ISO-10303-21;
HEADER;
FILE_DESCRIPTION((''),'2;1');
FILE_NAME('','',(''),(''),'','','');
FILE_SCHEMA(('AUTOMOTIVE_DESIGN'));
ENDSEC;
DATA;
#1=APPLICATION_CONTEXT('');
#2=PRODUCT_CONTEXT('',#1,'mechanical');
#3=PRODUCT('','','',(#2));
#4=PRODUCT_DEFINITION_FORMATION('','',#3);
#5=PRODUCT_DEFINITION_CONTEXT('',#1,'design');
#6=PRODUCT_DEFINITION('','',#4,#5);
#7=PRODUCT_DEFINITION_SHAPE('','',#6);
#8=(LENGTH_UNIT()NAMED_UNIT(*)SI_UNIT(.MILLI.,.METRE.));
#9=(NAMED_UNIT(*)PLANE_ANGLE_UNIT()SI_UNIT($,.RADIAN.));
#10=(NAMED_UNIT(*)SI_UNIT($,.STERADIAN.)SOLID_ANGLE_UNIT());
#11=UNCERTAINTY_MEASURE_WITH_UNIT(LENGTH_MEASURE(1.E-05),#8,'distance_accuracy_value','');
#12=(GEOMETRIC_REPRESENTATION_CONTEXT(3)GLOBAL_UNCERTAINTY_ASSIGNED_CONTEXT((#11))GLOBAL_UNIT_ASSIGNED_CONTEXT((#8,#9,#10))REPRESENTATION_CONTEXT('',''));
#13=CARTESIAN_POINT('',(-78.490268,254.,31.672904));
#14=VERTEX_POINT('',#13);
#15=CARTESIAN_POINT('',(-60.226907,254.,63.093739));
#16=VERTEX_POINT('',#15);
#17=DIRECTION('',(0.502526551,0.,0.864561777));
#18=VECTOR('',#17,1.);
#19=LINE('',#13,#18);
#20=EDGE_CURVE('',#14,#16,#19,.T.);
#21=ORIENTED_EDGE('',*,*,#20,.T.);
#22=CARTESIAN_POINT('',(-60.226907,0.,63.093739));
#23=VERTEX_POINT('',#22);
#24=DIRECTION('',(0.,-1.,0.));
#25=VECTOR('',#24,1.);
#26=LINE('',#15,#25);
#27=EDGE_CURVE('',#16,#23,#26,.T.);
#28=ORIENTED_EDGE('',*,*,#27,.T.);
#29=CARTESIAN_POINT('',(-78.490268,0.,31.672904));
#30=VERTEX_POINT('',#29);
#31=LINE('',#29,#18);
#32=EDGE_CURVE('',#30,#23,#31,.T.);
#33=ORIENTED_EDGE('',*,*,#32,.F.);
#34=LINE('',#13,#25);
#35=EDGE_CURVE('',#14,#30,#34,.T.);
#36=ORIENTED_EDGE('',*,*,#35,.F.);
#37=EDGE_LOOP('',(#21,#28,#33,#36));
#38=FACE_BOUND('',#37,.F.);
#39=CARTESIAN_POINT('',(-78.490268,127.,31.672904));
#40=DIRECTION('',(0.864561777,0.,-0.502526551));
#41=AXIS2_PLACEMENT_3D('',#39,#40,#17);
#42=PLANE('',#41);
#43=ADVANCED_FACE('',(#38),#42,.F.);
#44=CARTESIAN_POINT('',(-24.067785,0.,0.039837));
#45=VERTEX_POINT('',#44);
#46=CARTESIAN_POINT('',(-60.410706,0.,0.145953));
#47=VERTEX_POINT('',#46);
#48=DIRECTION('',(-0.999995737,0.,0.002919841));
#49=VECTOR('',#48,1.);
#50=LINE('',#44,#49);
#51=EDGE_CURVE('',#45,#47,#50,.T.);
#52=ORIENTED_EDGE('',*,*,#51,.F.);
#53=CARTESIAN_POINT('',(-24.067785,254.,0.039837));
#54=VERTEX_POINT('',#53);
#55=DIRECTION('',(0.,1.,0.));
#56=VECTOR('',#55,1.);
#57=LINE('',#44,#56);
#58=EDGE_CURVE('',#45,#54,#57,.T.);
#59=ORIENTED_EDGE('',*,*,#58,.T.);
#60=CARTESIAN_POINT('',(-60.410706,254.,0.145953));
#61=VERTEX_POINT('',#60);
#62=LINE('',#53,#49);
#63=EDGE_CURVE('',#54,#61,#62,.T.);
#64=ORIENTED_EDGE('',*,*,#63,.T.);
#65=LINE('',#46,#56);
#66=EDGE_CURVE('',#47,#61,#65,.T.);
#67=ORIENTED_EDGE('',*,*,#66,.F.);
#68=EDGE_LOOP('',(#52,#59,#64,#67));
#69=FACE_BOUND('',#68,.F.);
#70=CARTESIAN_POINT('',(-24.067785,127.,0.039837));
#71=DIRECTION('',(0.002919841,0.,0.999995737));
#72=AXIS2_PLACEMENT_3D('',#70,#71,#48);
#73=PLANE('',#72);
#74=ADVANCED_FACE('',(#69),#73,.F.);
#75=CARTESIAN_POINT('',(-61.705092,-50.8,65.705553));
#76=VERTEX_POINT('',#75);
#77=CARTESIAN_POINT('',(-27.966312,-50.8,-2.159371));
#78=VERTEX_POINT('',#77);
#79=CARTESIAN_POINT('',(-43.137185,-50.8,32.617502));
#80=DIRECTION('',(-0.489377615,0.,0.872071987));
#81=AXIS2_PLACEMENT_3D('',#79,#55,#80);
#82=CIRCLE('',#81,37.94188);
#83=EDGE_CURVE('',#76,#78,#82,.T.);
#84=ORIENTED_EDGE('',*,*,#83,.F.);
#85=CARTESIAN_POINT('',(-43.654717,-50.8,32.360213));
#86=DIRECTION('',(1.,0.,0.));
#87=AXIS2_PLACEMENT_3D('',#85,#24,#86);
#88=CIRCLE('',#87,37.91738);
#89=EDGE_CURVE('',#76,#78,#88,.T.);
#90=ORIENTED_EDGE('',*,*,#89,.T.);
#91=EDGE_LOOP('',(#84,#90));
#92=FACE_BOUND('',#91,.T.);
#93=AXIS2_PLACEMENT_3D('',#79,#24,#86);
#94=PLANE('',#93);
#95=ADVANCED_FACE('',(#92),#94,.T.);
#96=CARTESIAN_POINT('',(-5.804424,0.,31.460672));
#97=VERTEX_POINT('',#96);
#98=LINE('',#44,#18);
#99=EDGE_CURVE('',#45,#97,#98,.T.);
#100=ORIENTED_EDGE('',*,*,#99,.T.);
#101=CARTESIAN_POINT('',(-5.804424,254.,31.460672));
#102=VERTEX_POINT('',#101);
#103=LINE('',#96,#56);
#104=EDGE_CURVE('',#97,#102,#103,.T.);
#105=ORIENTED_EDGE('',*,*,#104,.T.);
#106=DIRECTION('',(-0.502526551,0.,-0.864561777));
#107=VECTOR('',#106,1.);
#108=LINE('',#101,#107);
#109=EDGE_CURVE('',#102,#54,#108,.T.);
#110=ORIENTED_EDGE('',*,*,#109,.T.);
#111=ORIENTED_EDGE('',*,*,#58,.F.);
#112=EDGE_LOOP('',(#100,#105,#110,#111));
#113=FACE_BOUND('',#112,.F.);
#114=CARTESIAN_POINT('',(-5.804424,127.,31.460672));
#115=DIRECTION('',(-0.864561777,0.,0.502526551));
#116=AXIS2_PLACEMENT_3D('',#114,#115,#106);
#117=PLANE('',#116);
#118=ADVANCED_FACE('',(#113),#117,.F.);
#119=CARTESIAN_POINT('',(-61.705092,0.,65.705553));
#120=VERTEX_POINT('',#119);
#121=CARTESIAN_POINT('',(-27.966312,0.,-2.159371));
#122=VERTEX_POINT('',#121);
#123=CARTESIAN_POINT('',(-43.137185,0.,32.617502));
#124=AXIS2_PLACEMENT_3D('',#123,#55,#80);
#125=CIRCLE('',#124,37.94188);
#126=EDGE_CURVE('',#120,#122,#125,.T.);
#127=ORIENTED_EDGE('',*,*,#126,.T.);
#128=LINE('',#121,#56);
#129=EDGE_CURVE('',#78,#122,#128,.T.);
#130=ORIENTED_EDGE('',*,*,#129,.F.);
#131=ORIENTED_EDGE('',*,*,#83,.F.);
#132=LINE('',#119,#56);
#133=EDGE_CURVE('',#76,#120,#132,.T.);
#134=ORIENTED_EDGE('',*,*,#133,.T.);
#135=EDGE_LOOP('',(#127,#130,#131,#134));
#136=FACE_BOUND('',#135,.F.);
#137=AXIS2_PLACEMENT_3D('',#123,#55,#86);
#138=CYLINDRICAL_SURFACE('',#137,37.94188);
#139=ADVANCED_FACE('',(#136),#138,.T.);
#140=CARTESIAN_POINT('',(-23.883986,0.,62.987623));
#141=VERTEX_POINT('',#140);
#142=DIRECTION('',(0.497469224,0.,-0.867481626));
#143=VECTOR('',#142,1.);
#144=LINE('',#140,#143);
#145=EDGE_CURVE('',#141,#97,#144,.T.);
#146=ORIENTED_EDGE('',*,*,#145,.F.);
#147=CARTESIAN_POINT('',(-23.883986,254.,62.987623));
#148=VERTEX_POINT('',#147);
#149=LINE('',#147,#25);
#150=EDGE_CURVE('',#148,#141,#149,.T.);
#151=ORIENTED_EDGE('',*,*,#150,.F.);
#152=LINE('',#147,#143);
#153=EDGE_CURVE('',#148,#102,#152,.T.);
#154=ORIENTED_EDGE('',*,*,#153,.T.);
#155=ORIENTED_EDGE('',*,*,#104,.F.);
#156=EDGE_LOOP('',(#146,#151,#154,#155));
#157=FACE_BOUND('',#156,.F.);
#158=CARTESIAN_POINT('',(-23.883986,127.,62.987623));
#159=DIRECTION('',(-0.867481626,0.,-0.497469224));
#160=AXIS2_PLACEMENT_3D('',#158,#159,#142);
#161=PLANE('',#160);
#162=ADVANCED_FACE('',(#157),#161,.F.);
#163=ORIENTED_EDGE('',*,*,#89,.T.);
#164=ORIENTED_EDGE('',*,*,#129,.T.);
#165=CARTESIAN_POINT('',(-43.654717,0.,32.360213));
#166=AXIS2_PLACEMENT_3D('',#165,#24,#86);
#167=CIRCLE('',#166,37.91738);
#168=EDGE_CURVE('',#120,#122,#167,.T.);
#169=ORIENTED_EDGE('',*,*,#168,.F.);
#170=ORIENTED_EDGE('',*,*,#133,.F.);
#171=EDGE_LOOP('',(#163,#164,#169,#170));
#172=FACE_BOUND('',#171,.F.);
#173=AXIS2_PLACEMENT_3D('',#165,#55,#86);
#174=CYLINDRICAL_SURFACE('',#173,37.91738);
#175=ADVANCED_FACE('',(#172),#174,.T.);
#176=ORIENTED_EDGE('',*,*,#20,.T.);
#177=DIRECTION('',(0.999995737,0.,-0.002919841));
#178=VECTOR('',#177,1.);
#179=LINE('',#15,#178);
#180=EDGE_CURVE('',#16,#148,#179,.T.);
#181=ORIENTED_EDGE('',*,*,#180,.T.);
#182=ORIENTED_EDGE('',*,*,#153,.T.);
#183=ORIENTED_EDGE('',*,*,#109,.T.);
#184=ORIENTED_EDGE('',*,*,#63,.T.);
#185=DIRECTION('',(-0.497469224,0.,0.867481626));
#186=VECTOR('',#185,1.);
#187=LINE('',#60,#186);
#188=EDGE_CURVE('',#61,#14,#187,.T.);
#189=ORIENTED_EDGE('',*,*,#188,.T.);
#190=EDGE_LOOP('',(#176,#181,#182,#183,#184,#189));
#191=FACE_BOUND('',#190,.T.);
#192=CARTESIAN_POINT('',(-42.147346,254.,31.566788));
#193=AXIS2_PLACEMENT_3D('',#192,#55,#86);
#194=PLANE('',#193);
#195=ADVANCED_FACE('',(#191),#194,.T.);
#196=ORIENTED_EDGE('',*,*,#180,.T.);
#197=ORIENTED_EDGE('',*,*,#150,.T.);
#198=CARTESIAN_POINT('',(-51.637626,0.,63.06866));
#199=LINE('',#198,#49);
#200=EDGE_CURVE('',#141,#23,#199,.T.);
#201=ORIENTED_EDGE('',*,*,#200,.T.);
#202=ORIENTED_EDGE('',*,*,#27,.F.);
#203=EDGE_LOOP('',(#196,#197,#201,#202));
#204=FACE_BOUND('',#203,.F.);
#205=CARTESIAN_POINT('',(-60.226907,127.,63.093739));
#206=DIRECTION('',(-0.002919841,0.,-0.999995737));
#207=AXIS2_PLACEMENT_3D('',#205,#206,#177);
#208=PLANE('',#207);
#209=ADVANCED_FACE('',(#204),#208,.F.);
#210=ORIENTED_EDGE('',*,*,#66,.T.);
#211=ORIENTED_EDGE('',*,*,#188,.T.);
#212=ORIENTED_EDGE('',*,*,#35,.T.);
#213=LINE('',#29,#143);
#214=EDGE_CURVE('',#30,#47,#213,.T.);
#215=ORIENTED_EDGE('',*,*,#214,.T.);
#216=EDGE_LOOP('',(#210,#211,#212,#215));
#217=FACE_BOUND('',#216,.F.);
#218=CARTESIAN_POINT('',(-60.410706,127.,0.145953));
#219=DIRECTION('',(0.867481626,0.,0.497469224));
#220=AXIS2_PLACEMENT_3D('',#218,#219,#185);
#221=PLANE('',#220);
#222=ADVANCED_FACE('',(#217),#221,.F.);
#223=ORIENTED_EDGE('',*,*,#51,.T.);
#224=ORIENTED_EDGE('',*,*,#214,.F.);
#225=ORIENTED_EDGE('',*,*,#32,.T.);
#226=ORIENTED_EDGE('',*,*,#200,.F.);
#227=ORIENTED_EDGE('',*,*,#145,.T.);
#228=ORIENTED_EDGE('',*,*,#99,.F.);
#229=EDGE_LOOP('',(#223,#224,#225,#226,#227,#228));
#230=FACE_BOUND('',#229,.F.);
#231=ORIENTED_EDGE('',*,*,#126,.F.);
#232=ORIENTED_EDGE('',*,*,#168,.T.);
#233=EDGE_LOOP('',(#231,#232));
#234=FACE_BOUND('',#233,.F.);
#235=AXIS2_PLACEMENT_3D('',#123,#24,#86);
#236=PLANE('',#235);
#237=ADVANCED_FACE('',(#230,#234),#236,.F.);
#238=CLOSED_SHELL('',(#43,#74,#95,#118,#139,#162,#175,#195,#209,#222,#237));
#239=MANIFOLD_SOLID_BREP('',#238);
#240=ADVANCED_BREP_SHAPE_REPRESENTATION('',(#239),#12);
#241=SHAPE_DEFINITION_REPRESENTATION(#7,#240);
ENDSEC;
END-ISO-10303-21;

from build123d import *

# Parameters (mm, degrees)
F1_DEPTH = 25.4
F2_DEPTH = 127
F3_R     = 37.94188
F4_DEPTH = 50.8
F5_DEPTH = 127
F6_R     = 37.91738
F7_DEPTH = 50.8


with BuildPart() as f1:
    # F0 (on Front) → F1 (new body)
    with BuildSketch(Plane.XZ):
        Polygon((-24.067785, 0.039836), (-5.804424, 31.460671), (-23.883986, 62.987623), (-60.226907, 63.093739), (-78.490267, 31.672904), (-60.410706, 0.145952), align=None)
    extrude(amount=F1_DEPTH)

    # F1_face (on face) → F2 (join)
    with BuildSketch(Plane(origin=(-42.147346, 0, 31.566788), x_dir=(1, 0, 0), z_dir=(0, 1, 0))):
        Polygon((36.342922, 0.106116), (18.079561, 31.526951), (-18.26336, 31.420835), (-36.342922, -0.106116), (-18.079561, -31.526951), (18.26336, -31.420835), align=None)
        Polygon((18.079561, 31.526951), (36.342922, 0.106116), (18.26336, -31.420835), (-18.079561, -31.526951), (-36.342922, -0.106116), (-18.26336, 31.420835), align=None)
    extrude(amount=F2_DEPTH)

    # F3 (on Front) → F4 (join)
    with BuildSketch(Plane.XZ):
        with Locations((-43.137185, 32.617502)):
            Circle(F3_R)
    extrude(amount=F4_DEPTH)

    # F2_face (on face) → F5 (join)
    with BuildSketch(Plane(origin=(-42.147346, 127, 31.566788), x_dir=(1, 0, 0), z_dir=(0, 1, 0))):
        Polygon((18.26336, -31.420835), (36.342922, 0.106116), (18.079561, 31.526951), (-18.26336, 31.420835), (-36.342922, -0.106116), (-18.079561, -31.526951), align=None)
    extrude(amount=F5_DEPTH)

    # F6 (on Front) → F7 (join)
    with BuildSketch(Plane.XZ):
        with Locations((-43.654717, 32.360213)):
            Circle(F6_R)
    extrude(amount=F7_DEPTH)


solid = f1.part
